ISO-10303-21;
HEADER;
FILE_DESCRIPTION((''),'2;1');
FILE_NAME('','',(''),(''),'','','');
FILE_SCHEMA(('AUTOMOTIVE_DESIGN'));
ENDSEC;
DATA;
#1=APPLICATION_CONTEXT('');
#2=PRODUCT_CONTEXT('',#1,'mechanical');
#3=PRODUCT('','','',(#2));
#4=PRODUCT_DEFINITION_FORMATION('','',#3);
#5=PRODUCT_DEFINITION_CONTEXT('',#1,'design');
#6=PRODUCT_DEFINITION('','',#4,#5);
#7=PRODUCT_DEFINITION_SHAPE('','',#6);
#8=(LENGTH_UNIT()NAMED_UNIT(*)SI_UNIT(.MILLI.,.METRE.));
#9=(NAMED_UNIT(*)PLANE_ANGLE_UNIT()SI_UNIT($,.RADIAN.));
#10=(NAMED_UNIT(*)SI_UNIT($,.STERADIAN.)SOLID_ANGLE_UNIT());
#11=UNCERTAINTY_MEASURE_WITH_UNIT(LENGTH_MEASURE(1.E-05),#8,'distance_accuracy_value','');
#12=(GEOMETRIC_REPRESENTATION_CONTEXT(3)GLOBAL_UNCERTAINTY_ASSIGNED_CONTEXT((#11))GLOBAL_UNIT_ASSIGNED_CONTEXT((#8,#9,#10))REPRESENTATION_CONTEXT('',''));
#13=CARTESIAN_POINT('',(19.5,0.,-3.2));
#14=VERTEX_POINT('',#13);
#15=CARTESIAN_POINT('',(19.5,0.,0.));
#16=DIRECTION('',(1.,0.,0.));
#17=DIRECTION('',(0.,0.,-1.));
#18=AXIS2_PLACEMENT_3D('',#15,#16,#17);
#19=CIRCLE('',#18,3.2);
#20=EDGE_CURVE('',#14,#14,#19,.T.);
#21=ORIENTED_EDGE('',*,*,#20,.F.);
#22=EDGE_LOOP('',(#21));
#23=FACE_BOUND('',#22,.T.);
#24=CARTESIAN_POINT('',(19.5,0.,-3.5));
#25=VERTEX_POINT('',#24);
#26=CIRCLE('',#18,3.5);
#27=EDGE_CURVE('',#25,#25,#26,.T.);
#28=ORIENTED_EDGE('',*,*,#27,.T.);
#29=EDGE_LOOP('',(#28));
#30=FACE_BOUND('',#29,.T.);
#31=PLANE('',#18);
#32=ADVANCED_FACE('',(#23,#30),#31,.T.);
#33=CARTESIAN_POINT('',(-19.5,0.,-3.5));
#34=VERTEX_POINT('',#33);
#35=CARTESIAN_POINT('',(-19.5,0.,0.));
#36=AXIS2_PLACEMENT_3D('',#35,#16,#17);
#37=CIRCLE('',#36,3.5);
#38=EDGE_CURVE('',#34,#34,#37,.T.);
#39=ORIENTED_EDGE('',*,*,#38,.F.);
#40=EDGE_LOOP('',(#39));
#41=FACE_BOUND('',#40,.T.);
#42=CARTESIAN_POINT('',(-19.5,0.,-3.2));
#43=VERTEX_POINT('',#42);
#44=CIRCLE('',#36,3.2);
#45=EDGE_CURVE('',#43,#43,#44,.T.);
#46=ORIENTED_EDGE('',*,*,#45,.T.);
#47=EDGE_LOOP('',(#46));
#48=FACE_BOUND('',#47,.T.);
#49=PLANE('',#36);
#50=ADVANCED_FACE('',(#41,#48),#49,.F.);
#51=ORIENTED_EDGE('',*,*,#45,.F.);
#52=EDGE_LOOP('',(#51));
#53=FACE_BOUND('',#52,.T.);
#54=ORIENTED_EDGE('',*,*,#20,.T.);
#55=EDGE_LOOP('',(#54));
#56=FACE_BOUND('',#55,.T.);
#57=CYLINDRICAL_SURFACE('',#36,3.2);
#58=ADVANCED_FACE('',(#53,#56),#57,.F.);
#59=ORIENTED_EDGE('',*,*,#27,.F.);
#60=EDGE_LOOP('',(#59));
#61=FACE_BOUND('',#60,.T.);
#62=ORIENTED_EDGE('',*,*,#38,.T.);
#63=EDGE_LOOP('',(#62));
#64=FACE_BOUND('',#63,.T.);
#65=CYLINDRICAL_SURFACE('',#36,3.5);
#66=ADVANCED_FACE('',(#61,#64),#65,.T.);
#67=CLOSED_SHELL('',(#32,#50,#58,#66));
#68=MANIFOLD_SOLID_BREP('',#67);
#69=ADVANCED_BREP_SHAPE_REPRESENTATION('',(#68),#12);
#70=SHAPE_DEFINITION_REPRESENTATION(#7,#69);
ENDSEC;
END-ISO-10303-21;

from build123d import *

# Parameters (mm, degrees)
SALIENTE_EXTRUIR1_DEPTH      = 19.5
SALIENTE_EXTRUIR1_DEPTH_BACK = 19.5
CROQUIS3_R                   = 3.5
CROQUIS3_R_2                 = 3.2


with BuildPart() as part:
    # Croquis3 → Saliente-Extruir1 (new, two sides: drawn at the far end of the back side and taken through both)
    with BuildSketch(Plane(origin=(0, 0, 0), x_dir=(0, 0, -1), z_dir=(1, 0, 0)).offset(-SALIENTE_EXTRUIR1_DEPTH_BACK)):
        Circle(CROQUIS3_R)
        Circle(CROQUIS3_R_2, mode=Mode.SUBTRACT)
    extrude(amount=SALIENTE_EXTRUIR1_DEPTH + SALIENTE_EXTRUIR1_DEPTH_BACK)


solid = part.part
